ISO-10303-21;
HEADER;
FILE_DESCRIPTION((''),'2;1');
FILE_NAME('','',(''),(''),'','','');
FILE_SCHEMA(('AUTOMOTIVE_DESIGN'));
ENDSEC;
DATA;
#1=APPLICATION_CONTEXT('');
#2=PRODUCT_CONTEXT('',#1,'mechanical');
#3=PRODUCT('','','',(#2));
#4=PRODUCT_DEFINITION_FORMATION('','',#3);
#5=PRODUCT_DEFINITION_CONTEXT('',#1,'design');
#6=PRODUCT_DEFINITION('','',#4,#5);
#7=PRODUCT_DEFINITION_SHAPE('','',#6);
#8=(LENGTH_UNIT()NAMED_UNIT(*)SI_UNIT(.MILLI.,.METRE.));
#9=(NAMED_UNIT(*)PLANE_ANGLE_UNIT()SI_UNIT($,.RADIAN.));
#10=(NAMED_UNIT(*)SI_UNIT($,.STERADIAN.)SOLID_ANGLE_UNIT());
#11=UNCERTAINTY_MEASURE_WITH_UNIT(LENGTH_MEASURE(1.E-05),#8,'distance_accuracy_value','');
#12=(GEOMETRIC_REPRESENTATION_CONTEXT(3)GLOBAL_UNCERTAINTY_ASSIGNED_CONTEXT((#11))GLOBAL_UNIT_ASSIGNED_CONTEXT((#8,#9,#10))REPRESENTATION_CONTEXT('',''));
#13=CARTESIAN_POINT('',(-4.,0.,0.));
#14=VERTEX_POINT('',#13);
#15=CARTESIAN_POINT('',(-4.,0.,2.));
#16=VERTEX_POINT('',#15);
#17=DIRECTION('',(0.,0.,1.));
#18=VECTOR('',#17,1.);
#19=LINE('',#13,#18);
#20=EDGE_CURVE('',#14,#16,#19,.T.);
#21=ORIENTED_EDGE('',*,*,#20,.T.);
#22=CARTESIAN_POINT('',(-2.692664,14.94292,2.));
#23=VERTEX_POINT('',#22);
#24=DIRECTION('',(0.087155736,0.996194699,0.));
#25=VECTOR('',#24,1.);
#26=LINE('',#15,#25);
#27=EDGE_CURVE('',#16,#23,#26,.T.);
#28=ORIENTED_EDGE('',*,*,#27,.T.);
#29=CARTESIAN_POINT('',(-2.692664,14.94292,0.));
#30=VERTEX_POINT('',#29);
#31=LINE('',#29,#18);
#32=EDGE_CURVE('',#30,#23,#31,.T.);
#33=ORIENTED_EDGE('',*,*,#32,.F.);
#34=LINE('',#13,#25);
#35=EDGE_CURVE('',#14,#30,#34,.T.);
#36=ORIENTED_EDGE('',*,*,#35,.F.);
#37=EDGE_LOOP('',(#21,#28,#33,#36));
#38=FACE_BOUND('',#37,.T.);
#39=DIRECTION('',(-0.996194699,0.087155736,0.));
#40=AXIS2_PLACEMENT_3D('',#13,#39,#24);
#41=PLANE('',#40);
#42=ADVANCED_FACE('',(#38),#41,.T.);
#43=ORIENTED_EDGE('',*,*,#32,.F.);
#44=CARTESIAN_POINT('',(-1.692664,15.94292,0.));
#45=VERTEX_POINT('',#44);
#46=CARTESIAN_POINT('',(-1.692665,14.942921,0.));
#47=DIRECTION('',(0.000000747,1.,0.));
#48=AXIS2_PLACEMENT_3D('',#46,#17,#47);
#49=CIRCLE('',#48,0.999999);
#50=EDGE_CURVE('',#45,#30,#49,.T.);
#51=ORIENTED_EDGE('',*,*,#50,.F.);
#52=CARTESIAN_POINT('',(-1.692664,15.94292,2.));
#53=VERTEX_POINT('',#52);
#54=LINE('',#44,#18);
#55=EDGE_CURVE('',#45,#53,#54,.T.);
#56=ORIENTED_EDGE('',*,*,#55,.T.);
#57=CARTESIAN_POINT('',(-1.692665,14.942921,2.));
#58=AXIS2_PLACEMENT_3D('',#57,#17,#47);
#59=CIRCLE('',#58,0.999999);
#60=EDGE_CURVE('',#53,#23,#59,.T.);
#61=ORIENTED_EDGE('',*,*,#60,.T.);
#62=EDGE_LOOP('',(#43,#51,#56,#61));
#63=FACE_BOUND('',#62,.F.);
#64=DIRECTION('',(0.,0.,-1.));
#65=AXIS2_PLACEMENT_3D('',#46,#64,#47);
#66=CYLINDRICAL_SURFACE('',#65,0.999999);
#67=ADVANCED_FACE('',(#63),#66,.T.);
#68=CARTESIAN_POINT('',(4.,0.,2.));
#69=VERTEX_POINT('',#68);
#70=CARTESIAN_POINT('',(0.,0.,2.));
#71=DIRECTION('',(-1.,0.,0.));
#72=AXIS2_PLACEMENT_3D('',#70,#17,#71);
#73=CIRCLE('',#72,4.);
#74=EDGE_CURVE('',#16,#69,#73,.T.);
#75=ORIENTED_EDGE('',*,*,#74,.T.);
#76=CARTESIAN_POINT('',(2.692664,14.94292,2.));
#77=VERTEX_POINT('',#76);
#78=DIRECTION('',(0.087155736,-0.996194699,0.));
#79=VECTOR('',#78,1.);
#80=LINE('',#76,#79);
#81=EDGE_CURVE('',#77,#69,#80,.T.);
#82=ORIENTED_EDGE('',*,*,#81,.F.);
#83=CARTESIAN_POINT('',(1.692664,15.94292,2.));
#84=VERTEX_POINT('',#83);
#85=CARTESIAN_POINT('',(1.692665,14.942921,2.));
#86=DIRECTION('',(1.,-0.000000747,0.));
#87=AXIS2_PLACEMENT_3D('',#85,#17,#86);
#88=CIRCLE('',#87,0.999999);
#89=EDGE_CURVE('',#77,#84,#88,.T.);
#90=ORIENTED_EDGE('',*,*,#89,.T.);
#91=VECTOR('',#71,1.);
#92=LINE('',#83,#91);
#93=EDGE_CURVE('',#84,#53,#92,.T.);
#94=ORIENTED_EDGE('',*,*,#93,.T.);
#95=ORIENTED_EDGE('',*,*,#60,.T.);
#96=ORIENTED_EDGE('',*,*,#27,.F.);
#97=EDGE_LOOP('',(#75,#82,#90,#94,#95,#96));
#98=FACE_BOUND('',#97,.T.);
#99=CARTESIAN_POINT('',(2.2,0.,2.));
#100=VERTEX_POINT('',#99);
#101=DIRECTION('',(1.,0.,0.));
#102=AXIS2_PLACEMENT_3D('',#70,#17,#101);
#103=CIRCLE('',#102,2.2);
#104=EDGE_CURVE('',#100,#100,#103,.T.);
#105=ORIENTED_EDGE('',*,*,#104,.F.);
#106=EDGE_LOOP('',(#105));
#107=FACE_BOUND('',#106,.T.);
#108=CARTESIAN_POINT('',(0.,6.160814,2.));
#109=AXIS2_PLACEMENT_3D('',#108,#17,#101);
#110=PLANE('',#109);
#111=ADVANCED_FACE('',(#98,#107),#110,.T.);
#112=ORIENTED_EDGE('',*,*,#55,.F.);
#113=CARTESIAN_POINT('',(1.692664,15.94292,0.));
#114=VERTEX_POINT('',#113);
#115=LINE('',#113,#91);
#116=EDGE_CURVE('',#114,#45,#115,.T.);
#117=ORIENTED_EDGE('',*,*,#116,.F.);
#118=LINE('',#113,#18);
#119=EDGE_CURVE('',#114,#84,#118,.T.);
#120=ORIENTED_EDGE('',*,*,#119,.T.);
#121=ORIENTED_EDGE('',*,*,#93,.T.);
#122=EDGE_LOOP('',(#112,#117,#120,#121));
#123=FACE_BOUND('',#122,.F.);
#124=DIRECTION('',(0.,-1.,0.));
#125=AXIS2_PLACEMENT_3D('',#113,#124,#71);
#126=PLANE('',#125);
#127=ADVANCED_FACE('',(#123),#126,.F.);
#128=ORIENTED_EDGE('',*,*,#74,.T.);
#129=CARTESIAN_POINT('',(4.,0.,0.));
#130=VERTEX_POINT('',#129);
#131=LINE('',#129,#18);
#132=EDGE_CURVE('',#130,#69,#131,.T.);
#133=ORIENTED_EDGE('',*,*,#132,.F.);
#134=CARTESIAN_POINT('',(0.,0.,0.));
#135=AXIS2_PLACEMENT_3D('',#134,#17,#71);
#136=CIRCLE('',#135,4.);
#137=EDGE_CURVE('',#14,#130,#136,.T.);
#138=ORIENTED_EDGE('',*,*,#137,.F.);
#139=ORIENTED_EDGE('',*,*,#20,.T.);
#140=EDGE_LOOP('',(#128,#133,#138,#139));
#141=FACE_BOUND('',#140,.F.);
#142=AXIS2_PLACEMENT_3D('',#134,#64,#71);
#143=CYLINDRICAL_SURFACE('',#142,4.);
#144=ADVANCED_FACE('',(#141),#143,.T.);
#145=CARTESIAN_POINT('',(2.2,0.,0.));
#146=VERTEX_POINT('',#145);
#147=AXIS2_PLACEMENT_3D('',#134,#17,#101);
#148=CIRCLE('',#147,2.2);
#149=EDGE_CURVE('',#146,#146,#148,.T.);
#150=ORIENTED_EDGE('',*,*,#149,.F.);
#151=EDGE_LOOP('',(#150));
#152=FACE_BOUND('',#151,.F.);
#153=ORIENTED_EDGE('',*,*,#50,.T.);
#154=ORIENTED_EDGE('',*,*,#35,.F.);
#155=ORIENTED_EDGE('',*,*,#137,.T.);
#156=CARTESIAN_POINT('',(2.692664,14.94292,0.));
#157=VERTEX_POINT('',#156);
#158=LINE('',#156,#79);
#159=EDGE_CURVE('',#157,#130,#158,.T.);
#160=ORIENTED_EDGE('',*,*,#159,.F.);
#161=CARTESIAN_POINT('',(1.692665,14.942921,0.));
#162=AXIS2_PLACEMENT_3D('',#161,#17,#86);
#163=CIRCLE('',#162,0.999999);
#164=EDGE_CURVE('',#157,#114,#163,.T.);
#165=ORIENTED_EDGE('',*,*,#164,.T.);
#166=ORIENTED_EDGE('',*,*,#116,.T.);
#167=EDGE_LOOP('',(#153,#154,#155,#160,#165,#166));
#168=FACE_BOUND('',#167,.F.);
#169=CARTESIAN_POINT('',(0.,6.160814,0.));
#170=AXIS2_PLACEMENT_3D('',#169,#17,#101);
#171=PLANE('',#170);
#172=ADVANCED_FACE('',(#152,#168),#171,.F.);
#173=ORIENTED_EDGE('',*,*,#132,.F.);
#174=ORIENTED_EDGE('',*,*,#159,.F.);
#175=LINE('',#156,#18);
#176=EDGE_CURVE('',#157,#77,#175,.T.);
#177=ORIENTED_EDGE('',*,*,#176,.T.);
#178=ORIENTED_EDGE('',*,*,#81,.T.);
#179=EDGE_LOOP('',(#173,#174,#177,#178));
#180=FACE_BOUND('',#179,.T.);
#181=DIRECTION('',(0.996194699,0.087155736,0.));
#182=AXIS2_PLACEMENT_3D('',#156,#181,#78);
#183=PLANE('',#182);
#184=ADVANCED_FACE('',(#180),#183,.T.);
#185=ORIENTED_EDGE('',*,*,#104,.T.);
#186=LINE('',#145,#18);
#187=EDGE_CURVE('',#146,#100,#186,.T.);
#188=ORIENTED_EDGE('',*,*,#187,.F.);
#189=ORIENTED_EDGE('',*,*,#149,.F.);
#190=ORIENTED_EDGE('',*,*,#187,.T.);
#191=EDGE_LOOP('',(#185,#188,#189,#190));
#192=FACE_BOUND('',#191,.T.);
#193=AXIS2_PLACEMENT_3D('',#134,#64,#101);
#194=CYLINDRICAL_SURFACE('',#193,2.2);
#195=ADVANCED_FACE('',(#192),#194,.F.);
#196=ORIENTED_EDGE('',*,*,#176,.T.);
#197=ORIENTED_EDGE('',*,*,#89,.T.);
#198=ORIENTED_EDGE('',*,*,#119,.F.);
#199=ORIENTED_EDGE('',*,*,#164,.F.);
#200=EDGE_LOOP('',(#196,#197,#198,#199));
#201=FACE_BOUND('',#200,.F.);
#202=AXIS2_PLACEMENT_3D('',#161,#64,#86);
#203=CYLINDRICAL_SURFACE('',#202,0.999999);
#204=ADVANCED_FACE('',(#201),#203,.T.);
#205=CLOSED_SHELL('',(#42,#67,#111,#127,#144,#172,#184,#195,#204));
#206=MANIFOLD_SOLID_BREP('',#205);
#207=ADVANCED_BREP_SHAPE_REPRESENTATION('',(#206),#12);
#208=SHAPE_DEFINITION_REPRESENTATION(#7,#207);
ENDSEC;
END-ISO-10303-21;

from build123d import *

# Parameters (mm, degrees)
SKETCH_R  = 2.2
PAD_DEPTH = 2


with BuildPart() as part:
    # Sketch → Pad (new body)
    with BuildSketch(Plane.XY):
        with BuildLine():
            ThreePointArc((-4, 0), (0, -4), (4, 0))
            Line((2.692664, 14.94292), (4, 0))
            ThreePointArc((2.692664, 14.94292), (2.399771, 15.650027), (1.692664, 15.94292))
            Line((1.692664, 15.94292), (0, 15.94292))
            Line((-1.692664, 15.94292), (0, 15.94292))
            ThreePointArc((-1.692664, 15.94292), (-2.399771, 15.650027), (-2.692664, 14.94292))
            Line((-4, 0), (-2.692664, 14.94292))
        make_face()
        Circle(SKETCH_R, mode=Mode.SUBTRACT)
    extrude(amount=PAD_DEPTH)


solid = part.part
